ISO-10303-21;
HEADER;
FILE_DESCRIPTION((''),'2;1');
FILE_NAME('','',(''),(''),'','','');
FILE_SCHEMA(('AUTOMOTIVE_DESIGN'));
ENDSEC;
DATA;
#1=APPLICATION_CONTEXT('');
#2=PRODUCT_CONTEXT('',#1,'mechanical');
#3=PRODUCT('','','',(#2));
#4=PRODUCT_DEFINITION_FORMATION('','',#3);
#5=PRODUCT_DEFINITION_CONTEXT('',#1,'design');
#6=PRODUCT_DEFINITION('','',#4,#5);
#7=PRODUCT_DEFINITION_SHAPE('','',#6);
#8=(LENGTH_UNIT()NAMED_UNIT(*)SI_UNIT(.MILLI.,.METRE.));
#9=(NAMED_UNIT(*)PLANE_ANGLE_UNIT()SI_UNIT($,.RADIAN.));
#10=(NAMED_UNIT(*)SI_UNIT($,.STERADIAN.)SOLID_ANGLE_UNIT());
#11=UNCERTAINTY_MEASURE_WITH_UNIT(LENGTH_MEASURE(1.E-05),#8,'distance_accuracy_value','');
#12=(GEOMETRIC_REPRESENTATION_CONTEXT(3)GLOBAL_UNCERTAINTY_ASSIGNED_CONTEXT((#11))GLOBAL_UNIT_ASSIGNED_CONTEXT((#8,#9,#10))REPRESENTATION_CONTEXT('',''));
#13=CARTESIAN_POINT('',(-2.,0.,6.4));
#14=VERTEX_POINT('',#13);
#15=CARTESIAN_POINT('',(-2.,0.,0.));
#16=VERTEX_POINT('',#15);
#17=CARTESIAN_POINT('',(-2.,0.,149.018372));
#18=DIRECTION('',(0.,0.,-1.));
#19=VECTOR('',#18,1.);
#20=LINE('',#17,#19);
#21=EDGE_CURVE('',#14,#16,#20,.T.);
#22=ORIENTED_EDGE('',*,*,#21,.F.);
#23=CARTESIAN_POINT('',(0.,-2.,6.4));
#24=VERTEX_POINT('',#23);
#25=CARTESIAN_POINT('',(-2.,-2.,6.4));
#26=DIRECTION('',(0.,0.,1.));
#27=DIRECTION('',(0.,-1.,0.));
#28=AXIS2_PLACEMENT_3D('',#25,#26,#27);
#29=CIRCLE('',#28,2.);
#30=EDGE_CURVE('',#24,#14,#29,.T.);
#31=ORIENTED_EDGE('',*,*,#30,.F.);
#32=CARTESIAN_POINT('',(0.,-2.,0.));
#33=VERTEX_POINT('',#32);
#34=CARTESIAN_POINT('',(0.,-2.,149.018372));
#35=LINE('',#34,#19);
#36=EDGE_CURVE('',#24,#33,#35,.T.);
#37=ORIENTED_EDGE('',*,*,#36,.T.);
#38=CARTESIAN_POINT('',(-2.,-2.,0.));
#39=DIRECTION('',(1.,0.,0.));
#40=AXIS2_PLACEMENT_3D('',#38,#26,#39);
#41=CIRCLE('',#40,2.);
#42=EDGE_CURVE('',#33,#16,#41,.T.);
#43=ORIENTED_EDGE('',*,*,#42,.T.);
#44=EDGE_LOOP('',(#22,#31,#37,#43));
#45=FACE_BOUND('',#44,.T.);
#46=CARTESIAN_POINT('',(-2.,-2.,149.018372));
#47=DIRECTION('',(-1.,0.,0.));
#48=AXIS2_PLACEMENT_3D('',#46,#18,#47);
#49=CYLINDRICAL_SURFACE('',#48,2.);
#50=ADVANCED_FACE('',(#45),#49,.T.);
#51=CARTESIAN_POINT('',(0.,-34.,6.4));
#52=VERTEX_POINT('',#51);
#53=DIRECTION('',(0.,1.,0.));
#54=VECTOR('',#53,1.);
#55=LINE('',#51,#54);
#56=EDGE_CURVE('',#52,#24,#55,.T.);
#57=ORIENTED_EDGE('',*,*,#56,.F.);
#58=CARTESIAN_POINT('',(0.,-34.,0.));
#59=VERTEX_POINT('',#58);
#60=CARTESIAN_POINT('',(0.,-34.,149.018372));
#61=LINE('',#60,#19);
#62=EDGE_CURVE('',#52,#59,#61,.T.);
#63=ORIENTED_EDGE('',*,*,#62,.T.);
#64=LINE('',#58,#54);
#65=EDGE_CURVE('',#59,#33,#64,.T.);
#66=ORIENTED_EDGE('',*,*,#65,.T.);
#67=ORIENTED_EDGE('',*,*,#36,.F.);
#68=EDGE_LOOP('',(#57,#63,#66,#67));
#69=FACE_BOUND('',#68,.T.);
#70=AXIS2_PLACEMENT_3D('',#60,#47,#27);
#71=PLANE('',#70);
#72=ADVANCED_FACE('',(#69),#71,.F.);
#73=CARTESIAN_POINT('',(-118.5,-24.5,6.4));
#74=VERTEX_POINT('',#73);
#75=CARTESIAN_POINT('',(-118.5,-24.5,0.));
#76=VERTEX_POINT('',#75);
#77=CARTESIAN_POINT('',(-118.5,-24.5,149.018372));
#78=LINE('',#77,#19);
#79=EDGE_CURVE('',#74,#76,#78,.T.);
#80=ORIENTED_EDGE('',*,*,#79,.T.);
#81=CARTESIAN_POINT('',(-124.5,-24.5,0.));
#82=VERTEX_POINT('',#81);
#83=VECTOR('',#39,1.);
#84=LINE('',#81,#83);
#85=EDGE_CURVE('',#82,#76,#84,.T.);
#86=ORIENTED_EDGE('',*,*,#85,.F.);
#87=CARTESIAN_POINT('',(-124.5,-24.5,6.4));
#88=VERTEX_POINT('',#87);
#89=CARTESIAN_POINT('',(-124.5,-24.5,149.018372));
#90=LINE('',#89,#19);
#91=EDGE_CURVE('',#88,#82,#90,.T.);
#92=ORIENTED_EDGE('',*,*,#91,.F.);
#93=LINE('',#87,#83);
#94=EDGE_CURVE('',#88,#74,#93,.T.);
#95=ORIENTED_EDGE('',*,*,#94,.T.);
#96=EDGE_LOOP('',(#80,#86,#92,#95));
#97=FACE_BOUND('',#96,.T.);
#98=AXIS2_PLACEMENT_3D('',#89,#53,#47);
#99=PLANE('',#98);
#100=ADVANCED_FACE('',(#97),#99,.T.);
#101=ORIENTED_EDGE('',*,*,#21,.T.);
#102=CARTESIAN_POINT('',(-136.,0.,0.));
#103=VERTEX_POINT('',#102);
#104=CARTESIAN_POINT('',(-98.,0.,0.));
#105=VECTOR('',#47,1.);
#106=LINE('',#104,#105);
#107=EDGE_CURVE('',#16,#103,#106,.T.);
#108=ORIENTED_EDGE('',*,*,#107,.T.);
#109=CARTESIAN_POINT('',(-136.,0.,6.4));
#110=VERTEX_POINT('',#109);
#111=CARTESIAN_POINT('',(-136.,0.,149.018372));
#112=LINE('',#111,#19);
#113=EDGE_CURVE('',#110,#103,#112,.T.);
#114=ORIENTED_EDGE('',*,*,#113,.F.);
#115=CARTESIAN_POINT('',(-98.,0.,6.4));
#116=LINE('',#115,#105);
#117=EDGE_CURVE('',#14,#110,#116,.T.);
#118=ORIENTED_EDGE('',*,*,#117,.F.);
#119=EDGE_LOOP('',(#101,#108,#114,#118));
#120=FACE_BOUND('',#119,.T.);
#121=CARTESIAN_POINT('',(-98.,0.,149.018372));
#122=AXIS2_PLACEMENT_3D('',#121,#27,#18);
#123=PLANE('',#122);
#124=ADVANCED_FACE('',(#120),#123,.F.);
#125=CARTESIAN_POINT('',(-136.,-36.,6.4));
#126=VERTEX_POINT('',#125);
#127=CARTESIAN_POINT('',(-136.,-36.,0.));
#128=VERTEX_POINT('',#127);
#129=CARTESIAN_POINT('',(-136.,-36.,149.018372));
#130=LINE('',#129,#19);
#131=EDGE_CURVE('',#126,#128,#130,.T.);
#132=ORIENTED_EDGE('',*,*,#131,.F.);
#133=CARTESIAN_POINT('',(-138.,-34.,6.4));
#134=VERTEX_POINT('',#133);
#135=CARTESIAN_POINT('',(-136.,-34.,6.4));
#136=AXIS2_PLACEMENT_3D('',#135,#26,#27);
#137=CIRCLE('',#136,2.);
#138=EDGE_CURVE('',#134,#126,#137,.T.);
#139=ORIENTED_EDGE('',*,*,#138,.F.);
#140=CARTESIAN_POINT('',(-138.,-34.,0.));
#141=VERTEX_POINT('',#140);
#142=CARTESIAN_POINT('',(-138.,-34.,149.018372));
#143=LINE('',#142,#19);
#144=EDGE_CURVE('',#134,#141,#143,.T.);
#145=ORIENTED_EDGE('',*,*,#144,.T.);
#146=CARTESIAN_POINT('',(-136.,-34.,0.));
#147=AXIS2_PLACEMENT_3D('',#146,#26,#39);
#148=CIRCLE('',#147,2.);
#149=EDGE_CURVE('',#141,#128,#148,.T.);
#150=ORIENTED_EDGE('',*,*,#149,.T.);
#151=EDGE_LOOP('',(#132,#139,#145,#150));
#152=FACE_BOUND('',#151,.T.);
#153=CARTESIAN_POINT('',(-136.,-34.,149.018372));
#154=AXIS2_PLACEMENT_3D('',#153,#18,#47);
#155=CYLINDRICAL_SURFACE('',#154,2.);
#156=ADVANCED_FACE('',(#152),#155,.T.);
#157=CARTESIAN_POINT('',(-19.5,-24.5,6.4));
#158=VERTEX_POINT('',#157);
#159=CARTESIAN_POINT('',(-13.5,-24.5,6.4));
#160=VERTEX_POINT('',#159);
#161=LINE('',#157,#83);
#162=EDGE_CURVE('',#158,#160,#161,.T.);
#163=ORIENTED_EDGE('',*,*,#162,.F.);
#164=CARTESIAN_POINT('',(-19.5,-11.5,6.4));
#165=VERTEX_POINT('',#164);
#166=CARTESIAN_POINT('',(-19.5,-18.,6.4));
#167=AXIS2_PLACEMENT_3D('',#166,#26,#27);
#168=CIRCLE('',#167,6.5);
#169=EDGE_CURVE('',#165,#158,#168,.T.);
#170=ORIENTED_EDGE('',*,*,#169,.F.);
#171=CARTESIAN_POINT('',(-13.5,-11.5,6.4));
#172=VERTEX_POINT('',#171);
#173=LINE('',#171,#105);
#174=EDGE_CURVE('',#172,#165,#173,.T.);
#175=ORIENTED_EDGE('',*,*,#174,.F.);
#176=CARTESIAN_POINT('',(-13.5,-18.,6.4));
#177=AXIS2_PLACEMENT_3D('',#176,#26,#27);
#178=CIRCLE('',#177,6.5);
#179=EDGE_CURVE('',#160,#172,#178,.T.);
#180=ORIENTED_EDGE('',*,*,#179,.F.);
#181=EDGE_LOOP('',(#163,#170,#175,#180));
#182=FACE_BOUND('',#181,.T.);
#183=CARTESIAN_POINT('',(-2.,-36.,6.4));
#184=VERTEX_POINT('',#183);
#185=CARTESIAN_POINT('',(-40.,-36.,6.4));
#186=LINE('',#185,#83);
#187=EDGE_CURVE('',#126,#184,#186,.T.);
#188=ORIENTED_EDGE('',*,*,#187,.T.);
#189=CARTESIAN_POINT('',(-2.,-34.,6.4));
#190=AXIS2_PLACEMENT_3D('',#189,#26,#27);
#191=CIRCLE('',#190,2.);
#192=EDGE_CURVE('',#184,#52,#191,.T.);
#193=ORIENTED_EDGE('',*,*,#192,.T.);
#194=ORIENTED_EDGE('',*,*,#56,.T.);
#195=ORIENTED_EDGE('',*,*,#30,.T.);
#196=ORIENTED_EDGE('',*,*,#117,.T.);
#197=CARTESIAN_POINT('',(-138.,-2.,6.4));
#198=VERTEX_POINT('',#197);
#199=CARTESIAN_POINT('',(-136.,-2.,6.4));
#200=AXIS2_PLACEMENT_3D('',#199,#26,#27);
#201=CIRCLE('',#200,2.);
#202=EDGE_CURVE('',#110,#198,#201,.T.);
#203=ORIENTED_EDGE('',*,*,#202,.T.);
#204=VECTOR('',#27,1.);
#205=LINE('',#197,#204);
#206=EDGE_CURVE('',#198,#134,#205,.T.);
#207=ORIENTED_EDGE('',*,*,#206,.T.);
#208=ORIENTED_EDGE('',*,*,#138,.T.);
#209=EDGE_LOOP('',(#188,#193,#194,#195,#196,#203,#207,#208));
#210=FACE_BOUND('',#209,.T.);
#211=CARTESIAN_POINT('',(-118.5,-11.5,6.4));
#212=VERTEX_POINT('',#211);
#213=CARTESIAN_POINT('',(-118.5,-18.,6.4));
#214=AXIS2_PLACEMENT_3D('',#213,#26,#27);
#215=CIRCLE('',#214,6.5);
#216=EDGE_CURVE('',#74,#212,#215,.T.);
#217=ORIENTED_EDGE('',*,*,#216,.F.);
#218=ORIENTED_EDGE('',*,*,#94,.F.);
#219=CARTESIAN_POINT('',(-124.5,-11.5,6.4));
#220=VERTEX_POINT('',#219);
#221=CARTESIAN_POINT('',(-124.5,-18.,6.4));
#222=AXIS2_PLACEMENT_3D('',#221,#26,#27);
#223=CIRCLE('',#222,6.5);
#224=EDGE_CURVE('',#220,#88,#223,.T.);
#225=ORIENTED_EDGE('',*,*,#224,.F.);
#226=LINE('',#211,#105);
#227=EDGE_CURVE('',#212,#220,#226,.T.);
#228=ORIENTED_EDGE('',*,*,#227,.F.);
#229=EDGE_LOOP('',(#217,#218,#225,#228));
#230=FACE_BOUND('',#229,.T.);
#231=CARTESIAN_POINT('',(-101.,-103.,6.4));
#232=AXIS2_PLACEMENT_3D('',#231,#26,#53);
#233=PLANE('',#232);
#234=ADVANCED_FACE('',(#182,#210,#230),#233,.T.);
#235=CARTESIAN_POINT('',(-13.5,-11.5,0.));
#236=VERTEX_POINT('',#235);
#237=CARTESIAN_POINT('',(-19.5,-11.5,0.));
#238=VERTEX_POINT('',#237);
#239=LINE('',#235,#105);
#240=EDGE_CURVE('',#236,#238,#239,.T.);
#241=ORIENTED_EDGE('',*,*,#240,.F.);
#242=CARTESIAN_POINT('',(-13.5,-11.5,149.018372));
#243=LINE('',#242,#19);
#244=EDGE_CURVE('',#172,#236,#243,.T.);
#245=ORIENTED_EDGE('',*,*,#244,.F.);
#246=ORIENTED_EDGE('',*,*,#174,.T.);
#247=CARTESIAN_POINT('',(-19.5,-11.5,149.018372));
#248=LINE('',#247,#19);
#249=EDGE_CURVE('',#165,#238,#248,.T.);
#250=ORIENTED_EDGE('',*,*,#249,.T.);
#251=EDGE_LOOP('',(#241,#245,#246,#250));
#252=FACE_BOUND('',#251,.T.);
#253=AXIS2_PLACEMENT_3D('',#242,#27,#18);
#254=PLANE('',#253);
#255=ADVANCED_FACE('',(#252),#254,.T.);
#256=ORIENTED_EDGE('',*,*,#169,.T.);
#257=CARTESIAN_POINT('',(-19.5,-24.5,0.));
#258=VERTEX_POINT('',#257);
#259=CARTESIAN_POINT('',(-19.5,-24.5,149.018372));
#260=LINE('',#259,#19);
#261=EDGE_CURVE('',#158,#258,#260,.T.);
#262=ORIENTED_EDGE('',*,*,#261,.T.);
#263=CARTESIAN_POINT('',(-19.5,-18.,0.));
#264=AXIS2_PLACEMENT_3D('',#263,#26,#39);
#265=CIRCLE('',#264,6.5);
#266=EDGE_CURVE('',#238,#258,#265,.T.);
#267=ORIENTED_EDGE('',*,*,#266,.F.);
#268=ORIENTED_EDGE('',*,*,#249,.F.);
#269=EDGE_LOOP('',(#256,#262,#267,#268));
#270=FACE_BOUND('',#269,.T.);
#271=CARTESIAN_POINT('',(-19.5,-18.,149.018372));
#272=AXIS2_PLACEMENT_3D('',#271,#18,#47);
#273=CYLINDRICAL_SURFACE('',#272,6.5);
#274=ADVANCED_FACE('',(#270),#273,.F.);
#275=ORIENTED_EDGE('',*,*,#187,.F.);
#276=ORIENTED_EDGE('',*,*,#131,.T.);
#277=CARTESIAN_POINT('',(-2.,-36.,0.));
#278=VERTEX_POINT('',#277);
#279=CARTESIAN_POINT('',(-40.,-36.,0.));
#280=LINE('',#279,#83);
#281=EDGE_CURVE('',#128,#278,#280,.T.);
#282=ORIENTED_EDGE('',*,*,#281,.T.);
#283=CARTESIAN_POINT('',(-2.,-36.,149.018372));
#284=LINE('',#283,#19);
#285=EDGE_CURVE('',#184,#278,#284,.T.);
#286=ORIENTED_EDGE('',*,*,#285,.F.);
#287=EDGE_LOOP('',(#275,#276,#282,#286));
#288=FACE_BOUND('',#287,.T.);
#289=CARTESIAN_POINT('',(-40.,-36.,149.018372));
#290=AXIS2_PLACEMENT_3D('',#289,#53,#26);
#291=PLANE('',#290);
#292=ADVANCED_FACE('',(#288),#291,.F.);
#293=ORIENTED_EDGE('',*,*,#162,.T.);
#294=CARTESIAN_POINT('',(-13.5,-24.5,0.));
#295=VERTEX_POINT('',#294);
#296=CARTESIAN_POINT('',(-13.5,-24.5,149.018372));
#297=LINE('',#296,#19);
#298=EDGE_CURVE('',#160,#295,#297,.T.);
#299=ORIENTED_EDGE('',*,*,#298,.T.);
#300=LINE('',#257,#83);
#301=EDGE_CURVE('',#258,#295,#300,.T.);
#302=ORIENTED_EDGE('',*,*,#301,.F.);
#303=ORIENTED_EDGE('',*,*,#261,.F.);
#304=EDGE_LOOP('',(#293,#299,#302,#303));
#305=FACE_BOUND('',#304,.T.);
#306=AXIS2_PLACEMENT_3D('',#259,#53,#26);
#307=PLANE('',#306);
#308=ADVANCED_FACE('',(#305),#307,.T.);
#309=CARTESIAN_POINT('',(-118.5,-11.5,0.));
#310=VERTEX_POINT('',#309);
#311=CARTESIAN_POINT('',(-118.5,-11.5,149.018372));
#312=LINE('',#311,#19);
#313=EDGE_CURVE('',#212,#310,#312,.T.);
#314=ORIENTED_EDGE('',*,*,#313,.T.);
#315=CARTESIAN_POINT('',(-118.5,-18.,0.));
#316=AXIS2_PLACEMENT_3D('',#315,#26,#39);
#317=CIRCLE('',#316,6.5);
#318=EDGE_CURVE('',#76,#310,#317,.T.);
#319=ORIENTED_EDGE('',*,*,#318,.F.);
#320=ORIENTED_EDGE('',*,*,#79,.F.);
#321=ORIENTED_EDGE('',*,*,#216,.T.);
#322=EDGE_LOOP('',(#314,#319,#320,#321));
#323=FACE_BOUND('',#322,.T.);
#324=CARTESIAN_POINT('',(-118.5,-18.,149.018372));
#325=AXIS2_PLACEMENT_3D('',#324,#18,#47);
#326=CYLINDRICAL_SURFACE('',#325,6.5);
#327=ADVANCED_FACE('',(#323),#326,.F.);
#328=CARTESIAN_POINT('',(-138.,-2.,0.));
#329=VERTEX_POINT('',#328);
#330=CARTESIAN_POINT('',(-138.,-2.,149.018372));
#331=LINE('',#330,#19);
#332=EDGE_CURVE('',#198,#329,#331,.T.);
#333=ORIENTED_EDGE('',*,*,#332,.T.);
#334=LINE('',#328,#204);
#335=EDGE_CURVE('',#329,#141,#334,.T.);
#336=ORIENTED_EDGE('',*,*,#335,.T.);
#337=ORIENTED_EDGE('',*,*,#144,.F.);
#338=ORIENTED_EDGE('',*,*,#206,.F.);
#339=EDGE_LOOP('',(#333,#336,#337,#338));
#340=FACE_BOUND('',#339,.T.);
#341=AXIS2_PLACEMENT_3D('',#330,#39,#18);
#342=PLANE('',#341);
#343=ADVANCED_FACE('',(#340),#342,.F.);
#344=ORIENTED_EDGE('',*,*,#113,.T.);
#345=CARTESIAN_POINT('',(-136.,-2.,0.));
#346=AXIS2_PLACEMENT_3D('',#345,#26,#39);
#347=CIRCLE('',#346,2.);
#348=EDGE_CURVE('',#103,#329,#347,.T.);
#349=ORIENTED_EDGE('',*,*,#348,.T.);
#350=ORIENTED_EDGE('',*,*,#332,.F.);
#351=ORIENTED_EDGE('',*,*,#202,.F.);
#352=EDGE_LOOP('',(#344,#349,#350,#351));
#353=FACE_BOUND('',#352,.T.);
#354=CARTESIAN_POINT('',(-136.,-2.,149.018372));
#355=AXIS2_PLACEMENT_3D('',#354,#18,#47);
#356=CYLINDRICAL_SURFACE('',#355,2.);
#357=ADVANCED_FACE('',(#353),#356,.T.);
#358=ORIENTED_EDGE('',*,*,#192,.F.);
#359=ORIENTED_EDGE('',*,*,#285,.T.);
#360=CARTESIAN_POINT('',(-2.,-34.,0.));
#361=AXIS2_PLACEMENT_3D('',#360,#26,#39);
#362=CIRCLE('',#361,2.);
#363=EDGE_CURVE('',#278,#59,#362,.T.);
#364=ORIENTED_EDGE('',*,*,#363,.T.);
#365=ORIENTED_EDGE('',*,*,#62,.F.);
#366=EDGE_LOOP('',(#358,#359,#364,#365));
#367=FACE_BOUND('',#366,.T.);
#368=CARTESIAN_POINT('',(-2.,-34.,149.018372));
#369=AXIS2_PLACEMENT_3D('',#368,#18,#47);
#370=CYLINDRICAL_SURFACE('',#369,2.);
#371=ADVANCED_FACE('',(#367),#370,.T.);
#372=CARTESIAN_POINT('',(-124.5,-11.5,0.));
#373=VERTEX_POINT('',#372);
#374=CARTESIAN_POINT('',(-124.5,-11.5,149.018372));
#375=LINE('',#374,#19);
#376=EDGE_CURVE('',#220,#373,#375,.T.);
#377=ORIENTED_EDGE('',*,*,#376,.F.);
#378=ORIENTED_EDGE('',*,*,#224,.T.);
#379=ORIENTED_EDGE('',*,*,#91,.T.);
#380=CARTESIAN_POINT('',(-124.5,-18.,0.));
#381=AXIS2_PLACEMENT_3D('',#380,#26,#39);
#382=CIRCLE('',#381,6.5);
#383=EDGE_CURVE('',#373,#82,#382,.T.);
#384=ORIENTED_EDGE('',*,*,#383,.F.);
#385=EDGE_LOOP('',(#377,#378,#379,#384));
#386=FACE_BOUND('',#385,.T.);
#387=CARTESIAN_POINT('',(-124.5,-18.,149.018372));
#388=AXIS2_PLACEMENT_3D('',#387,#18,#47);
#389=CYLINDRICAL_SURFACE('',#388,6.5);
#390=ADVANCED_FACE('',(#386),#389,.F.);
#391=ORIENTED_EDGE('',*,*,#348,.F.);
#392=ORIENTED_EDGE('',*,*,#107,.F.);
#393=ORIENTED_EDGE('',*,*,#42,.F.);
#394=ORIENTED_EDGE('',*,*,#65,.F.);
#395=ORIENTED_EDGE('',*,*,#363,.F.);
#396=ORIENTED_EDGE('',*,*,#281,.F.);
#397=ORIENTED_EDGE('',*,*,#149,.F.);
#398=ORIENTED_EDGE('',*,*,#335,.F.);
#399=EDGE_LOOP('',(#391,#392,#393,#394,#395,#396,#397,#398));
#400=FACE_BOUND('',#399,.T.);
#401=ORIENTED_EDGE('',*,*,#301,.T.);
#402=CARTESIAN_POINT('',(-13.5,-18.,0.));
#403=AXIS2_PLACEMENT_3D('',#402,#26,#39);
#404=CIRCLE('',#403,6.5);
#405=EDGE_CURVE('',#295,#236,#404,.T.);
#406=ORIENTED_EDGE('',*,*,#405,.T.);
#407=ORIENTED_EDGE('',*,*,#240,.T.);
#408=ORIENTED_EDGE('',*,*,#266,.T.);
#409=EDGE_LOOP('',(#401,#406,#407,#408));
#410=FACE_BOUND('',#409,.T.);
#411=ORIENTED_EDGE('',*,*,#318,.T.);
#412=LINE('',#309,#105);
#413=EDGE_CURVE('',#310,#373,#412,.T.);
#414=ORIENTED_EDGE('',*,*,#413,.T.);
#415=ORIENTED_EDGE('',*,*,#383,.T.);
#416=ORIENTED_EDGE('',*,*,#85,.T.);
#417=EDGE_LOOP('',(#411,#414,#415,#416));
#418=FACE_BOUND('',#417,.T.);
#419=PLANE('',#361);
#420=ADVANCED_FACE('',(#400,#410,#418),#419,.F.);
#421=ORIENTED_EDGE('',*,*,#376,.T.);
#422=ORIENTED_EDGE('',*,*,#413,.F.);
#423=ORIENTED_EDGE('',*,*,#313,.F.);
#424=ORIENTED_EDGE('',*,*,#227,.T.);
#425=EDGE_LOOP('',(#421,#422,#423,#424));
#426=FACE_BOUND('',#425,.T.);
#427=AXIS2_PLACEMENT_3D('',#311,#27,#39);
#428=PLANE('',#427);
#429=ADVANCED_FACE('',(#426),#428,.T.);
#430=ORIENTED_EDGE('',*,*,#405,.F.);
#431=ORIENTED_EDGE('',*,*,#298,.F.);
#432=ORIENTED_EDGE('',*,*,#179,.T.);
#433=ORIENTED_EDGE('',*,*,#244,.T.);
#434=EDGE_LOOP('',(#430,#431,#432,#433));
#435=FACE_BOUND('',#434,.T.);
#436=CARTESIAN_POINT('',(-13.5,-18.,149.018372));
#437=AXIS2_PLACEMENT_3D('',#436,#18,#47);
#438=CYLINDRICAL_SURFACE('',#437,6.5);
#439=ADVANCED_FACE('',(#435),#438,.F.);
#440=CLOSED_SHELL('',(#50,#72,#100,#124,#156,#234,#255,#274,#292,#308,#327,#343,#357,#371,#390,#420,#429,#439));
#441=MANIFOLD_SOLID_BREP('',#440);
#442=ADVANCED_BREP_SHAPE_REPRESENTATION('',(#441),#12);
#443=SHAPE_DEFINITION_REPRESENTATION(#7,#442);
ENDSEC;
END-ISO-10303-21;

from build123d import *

# Parameters (mm, degrees)
ESTRUSIONE_ESTRUSIONE1_DEPTH = 6.4


with BuildPart() as part:
    # Schizzo1 → Estrusione-Estrusione1 (new body)
    with BuildSketch(Plane.XY):
        with BuildLine():
            Line((0, -34), (0, -2))
            ThreePointArc((0, -2), (-0.585786438, -0.585786438), (-2, 0))
            Line((-2, 0), (-40, 0))
            Line((-40, 0), (-98, 0))
            Line((-98, 0), (-136, 0))
            ThreePointArc((-136, 0), (-137.414213562, -0.585786438), (-138, -2))
            Line((-138, -2), (-138, -34))
            ThreePointArc((-138, -34), (-137.414213562, -35.414213562), (-136, -36))
            Line((-136, -36), (-98, -36))
            Line((-98, -36), (-40, -36))
            Line((-40, -36), (-2, -36))
            ThreePointArc((-2, -36), (-0.585786438, -35.414213562), (0, -34))
        make_face()
        with BuildLine():
            Line((-19.5, -24.5), (-13.5, -24.5))
            ThreePointArc((-13.5, -24.5), (-7, -18), (-13.5, -11.5))
            Line((-13.5, -11.5), (-19.5, -11.5))
            ThreePointArc((-19.5, -11.5), (-26, -18), (-19.5, -24.5))
        make_face(mode=Mode.SUBTRACT)
        with BuildLine():
            Line((-124.5, -24.5), (-118.5, -24.5))
            ThreePointArc((-118.5, -24.5), (-112, -18), (-118.5, -11.5))
            Line((-118.5, -11.5), (-124.5, -11.5))
            ThreePointArc((-124.5, -11.5), (-131, -18), (-124.5, -24.5))
        make_face(mode=Mode.SUBTRACT)
    extrude(amount=ESTRUSIONE_ESTRUSIONE1_DEPTH)


solid = part.part
